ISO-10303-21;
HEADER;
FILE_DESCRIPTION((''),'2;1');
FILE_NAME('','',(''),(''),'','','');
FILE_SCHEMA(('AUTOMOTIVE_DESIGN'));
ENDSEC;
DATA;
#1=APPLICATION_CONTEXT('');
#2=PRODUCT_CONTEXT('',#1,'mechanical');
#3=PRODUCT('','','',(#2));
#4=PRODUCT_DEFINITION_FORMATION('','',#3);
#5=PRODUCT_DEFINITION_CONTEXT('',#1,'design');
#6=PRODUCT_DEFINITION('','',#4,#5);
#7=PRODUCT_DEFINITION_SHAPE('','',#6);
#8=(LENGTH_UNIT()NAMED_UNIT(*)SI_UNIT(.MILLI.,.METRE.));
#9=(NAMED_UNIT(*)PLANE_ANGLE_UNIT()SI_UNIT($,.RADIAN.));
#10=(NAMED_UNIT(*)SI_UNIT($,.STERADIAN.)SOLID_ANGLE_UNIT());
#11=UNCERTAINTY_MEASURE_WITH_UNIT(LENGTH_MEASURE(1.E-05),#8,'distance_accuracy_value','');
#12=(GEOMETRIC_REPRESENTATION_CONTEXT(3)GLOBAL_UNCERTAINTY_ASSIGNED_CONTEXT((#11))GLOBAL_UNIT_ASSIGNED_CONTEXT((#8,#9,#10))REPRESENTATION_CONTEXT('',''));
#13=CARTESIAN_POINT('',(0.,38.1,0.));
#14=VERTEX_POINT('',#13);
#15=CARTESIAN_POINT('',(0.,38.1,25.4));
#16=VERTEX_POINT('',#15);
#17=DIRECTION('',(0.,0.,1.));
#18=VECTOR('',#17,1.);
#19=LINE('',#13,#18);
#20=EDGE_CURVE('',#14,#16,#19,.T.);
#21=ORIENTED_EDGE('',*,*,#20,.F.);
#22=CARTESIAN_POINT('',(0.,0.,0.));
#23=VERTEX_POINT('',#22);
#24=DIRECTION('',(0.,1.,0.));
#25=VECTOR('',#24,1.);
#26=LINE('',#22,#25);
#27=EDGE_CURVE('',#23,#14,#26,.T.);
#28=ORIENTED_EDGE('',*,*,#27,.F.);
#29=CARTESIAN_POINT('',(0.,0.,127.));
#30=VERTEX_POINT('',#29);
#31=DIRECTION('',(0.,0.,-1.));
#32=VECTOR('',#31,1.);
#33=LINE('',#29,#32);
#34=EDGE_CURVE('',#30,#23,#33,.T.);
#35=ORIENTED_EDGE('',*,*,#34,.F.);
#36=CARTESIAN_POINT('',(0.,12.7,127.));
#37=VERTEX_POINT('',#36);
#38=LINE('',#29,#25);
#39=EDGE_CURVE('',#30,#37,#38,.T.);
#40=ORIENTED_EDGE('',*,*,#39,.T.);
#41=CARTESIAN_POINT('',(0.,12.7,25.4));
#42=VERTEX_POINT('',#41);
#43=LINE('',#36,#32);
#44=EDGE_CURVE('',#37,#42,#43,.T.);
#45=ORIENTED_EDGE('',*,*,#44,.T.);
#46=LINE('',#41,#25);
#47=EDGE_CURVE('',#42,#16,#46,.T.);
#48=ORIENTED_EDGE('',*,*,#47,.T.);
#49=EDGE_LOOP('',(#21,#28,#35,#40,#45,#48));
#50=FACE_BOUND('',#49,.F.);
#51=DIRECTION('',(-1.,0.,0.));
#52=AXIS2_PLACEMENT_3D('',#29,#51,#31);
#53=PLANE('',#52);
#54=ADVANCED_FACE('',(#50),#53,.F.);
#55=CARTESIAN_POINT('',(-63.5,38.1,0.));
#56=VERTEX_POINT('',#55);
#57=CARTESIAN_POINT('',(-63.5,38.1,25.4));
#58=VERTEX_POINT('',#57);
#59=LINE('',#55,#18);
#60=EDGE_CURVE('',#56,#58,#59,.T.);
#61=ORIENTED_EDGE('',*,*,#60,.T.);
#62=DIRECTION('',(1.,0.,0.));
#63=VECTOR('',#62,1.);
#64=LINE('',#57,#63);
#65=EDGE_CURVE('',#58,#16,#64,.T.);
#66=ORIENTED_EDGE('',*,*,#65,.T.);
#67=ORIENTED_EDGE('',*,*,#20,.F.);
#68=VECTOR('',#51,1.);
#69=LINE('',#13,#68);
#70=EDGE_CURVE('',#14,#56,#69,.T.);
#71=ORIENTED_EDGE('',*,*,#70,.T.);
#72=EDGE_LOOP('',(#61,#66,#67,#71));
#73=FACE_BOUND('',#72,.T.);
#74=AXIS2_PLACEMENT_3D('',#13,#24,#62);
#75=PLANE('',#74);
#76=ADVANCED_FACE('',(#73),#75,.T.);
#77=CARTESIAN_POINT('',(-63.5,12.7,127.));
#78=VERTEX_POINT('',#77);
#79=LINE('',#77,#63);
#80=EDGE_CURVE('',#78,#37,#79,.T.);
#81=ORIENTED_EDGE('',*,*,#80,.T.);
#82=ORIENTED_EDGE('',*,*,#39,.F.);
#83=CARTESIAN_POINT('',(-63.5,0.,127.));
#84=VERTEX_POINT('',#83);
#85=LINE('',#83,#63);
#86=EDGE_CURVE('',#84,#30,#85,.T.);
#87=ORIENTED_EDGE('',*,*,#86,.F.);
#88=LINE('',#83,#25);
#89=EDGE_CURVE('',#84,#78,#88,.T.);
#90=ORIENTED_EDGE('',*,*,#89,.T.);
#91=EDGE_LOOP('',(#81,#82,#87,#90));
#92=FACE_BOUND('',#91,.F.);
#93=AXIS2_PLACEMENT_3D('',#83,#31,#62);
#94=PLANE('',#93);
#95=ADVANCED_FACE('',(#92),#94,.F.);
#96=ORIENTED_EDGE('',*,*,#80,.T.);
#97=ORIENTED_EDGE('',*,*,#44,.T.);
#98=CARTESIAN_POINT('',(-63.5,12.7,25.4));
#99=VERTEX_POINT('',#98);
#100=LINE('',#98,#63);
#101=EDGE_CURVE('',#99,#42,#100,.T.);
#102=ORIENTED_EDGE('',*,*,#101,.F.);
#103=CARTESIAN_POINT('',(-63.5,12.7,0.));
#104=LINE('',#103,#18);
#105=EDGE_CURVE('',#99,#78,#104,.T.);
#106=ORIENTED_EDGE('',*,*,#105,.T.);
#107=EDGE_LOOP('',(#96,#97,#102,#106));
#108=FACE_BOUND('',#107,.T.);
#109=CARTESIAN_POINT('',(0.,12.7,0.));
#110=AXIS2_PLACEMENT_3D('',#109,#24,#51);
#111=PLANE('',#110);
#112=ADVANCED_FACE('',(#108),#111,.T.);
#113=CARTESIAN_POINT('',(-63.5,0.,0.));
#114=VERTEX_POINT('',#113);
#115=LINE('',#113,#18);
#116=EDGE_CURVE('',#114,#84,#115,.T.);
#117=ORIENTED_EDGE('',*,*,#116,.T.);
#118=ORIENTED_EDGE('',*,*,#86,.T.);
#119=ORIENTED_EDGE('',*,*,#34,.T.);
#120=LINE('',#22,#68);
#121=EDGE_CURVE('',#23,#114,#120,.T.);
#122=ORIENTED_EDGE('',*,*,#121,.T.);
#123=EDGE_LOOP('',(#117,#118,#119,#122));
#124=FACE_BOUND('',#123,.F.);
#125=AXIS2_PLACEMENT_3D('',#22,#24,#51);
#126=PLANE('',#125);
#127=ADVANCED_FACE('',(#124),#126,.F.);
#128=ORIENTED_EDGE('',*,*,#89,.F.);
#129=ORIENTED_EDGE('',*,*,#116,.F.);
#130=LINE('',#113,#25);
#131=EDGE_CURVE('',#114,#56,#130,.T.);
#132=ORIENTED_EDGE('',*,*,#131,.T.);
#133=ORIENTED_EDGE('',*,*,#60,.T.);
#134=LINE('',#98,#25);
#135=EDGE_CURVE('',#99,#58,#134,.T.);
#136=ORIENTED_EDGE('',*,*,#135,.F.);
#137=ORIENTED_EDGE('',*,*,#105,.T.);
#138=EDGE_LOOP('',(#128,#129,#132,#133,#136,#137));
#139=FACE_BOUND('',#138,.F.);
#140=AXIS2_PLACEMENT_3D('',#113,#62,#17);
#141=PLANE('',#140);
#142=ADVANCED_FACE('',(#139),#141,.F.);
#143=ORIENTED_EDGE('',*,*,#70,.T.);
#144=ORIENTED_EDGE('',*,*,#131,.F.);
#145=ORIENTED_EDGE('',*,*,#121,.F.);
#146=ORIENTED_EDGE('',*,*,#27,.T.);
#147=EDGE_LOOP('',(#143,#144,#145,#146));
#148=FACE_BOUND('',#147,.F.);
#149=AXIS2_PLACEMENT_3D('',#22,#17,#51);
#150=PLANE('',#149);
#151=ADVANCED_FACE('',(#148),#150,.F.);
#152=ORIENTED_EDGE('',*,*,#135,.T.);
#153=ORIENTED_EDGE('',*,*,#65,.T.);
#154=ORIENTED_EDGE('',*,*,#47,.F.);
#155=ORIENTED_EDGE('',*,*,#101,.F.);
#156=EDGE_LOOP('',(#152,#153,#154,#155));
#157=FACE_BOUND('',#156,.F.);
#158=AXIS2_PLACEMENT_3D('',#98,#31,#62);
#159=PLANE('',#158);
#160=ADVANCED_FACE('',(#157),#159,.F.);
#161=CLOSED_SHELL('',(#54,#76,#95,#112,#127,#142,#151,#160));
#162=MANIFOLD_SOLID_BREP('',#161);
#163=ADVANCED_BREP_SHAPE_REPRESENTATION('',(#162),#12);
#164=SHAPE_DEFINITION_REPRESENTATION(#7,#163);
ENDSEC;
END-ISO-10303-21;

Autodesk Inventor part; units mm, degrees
ref_plane "YZ Plane" through (0, 0, 0) normal (1, 0, 0) x (0, 1, 0)
ref_plane "XZ Plane" through (0, 0, 0) normal (0, 1, 0) x (-1, 0, 0)
ref_plane "XY Plane" through (0, 0, 0) normal (0, 0, 1) x (1, 0, 0)
sketch "Sketch1" plane through (0, 0, 0) normal (0, 1, 0) x (-1, 0, 0)
  line L0 (0, 0) -> (63.5, 0)
  line L1 (63.5, 0) -> (63.5, 127)
  line L2 (63.5, 127) -> (0, 127)
  line L3 (0, 127) -> (0, 0)
  dimension "d0" = 63.5
  dimension "d1" = 127
extrude "Extrusion1" add sketch "Sketch1" along normal blind 12.7
sketch "Sketch2" plane through (0, 12.7, 0) normal (0, 1, 0) x (1, 0, 0)
  line L0 (0, 0) -> (0, -25.4)
  line L1 (0, -127) -> (0, 0) projected
  line L2 (0, 0) -> (-63.5, 0)
  line L3 (0, 0) -> (-63.5, 0) projected
  line L4 (-63.5, 0) -> (-63.5, -25.4)
  line L5 (-63.5, 0) -> (-63.5, -127) projected
  line L6 (-63.5, -25.4) -> (0, -25.4)
  dimension "d4" = 25.4
extrude "Extrusion2" add sketch "Sketch2" along normal blind 25.4
properties part number "hook"
